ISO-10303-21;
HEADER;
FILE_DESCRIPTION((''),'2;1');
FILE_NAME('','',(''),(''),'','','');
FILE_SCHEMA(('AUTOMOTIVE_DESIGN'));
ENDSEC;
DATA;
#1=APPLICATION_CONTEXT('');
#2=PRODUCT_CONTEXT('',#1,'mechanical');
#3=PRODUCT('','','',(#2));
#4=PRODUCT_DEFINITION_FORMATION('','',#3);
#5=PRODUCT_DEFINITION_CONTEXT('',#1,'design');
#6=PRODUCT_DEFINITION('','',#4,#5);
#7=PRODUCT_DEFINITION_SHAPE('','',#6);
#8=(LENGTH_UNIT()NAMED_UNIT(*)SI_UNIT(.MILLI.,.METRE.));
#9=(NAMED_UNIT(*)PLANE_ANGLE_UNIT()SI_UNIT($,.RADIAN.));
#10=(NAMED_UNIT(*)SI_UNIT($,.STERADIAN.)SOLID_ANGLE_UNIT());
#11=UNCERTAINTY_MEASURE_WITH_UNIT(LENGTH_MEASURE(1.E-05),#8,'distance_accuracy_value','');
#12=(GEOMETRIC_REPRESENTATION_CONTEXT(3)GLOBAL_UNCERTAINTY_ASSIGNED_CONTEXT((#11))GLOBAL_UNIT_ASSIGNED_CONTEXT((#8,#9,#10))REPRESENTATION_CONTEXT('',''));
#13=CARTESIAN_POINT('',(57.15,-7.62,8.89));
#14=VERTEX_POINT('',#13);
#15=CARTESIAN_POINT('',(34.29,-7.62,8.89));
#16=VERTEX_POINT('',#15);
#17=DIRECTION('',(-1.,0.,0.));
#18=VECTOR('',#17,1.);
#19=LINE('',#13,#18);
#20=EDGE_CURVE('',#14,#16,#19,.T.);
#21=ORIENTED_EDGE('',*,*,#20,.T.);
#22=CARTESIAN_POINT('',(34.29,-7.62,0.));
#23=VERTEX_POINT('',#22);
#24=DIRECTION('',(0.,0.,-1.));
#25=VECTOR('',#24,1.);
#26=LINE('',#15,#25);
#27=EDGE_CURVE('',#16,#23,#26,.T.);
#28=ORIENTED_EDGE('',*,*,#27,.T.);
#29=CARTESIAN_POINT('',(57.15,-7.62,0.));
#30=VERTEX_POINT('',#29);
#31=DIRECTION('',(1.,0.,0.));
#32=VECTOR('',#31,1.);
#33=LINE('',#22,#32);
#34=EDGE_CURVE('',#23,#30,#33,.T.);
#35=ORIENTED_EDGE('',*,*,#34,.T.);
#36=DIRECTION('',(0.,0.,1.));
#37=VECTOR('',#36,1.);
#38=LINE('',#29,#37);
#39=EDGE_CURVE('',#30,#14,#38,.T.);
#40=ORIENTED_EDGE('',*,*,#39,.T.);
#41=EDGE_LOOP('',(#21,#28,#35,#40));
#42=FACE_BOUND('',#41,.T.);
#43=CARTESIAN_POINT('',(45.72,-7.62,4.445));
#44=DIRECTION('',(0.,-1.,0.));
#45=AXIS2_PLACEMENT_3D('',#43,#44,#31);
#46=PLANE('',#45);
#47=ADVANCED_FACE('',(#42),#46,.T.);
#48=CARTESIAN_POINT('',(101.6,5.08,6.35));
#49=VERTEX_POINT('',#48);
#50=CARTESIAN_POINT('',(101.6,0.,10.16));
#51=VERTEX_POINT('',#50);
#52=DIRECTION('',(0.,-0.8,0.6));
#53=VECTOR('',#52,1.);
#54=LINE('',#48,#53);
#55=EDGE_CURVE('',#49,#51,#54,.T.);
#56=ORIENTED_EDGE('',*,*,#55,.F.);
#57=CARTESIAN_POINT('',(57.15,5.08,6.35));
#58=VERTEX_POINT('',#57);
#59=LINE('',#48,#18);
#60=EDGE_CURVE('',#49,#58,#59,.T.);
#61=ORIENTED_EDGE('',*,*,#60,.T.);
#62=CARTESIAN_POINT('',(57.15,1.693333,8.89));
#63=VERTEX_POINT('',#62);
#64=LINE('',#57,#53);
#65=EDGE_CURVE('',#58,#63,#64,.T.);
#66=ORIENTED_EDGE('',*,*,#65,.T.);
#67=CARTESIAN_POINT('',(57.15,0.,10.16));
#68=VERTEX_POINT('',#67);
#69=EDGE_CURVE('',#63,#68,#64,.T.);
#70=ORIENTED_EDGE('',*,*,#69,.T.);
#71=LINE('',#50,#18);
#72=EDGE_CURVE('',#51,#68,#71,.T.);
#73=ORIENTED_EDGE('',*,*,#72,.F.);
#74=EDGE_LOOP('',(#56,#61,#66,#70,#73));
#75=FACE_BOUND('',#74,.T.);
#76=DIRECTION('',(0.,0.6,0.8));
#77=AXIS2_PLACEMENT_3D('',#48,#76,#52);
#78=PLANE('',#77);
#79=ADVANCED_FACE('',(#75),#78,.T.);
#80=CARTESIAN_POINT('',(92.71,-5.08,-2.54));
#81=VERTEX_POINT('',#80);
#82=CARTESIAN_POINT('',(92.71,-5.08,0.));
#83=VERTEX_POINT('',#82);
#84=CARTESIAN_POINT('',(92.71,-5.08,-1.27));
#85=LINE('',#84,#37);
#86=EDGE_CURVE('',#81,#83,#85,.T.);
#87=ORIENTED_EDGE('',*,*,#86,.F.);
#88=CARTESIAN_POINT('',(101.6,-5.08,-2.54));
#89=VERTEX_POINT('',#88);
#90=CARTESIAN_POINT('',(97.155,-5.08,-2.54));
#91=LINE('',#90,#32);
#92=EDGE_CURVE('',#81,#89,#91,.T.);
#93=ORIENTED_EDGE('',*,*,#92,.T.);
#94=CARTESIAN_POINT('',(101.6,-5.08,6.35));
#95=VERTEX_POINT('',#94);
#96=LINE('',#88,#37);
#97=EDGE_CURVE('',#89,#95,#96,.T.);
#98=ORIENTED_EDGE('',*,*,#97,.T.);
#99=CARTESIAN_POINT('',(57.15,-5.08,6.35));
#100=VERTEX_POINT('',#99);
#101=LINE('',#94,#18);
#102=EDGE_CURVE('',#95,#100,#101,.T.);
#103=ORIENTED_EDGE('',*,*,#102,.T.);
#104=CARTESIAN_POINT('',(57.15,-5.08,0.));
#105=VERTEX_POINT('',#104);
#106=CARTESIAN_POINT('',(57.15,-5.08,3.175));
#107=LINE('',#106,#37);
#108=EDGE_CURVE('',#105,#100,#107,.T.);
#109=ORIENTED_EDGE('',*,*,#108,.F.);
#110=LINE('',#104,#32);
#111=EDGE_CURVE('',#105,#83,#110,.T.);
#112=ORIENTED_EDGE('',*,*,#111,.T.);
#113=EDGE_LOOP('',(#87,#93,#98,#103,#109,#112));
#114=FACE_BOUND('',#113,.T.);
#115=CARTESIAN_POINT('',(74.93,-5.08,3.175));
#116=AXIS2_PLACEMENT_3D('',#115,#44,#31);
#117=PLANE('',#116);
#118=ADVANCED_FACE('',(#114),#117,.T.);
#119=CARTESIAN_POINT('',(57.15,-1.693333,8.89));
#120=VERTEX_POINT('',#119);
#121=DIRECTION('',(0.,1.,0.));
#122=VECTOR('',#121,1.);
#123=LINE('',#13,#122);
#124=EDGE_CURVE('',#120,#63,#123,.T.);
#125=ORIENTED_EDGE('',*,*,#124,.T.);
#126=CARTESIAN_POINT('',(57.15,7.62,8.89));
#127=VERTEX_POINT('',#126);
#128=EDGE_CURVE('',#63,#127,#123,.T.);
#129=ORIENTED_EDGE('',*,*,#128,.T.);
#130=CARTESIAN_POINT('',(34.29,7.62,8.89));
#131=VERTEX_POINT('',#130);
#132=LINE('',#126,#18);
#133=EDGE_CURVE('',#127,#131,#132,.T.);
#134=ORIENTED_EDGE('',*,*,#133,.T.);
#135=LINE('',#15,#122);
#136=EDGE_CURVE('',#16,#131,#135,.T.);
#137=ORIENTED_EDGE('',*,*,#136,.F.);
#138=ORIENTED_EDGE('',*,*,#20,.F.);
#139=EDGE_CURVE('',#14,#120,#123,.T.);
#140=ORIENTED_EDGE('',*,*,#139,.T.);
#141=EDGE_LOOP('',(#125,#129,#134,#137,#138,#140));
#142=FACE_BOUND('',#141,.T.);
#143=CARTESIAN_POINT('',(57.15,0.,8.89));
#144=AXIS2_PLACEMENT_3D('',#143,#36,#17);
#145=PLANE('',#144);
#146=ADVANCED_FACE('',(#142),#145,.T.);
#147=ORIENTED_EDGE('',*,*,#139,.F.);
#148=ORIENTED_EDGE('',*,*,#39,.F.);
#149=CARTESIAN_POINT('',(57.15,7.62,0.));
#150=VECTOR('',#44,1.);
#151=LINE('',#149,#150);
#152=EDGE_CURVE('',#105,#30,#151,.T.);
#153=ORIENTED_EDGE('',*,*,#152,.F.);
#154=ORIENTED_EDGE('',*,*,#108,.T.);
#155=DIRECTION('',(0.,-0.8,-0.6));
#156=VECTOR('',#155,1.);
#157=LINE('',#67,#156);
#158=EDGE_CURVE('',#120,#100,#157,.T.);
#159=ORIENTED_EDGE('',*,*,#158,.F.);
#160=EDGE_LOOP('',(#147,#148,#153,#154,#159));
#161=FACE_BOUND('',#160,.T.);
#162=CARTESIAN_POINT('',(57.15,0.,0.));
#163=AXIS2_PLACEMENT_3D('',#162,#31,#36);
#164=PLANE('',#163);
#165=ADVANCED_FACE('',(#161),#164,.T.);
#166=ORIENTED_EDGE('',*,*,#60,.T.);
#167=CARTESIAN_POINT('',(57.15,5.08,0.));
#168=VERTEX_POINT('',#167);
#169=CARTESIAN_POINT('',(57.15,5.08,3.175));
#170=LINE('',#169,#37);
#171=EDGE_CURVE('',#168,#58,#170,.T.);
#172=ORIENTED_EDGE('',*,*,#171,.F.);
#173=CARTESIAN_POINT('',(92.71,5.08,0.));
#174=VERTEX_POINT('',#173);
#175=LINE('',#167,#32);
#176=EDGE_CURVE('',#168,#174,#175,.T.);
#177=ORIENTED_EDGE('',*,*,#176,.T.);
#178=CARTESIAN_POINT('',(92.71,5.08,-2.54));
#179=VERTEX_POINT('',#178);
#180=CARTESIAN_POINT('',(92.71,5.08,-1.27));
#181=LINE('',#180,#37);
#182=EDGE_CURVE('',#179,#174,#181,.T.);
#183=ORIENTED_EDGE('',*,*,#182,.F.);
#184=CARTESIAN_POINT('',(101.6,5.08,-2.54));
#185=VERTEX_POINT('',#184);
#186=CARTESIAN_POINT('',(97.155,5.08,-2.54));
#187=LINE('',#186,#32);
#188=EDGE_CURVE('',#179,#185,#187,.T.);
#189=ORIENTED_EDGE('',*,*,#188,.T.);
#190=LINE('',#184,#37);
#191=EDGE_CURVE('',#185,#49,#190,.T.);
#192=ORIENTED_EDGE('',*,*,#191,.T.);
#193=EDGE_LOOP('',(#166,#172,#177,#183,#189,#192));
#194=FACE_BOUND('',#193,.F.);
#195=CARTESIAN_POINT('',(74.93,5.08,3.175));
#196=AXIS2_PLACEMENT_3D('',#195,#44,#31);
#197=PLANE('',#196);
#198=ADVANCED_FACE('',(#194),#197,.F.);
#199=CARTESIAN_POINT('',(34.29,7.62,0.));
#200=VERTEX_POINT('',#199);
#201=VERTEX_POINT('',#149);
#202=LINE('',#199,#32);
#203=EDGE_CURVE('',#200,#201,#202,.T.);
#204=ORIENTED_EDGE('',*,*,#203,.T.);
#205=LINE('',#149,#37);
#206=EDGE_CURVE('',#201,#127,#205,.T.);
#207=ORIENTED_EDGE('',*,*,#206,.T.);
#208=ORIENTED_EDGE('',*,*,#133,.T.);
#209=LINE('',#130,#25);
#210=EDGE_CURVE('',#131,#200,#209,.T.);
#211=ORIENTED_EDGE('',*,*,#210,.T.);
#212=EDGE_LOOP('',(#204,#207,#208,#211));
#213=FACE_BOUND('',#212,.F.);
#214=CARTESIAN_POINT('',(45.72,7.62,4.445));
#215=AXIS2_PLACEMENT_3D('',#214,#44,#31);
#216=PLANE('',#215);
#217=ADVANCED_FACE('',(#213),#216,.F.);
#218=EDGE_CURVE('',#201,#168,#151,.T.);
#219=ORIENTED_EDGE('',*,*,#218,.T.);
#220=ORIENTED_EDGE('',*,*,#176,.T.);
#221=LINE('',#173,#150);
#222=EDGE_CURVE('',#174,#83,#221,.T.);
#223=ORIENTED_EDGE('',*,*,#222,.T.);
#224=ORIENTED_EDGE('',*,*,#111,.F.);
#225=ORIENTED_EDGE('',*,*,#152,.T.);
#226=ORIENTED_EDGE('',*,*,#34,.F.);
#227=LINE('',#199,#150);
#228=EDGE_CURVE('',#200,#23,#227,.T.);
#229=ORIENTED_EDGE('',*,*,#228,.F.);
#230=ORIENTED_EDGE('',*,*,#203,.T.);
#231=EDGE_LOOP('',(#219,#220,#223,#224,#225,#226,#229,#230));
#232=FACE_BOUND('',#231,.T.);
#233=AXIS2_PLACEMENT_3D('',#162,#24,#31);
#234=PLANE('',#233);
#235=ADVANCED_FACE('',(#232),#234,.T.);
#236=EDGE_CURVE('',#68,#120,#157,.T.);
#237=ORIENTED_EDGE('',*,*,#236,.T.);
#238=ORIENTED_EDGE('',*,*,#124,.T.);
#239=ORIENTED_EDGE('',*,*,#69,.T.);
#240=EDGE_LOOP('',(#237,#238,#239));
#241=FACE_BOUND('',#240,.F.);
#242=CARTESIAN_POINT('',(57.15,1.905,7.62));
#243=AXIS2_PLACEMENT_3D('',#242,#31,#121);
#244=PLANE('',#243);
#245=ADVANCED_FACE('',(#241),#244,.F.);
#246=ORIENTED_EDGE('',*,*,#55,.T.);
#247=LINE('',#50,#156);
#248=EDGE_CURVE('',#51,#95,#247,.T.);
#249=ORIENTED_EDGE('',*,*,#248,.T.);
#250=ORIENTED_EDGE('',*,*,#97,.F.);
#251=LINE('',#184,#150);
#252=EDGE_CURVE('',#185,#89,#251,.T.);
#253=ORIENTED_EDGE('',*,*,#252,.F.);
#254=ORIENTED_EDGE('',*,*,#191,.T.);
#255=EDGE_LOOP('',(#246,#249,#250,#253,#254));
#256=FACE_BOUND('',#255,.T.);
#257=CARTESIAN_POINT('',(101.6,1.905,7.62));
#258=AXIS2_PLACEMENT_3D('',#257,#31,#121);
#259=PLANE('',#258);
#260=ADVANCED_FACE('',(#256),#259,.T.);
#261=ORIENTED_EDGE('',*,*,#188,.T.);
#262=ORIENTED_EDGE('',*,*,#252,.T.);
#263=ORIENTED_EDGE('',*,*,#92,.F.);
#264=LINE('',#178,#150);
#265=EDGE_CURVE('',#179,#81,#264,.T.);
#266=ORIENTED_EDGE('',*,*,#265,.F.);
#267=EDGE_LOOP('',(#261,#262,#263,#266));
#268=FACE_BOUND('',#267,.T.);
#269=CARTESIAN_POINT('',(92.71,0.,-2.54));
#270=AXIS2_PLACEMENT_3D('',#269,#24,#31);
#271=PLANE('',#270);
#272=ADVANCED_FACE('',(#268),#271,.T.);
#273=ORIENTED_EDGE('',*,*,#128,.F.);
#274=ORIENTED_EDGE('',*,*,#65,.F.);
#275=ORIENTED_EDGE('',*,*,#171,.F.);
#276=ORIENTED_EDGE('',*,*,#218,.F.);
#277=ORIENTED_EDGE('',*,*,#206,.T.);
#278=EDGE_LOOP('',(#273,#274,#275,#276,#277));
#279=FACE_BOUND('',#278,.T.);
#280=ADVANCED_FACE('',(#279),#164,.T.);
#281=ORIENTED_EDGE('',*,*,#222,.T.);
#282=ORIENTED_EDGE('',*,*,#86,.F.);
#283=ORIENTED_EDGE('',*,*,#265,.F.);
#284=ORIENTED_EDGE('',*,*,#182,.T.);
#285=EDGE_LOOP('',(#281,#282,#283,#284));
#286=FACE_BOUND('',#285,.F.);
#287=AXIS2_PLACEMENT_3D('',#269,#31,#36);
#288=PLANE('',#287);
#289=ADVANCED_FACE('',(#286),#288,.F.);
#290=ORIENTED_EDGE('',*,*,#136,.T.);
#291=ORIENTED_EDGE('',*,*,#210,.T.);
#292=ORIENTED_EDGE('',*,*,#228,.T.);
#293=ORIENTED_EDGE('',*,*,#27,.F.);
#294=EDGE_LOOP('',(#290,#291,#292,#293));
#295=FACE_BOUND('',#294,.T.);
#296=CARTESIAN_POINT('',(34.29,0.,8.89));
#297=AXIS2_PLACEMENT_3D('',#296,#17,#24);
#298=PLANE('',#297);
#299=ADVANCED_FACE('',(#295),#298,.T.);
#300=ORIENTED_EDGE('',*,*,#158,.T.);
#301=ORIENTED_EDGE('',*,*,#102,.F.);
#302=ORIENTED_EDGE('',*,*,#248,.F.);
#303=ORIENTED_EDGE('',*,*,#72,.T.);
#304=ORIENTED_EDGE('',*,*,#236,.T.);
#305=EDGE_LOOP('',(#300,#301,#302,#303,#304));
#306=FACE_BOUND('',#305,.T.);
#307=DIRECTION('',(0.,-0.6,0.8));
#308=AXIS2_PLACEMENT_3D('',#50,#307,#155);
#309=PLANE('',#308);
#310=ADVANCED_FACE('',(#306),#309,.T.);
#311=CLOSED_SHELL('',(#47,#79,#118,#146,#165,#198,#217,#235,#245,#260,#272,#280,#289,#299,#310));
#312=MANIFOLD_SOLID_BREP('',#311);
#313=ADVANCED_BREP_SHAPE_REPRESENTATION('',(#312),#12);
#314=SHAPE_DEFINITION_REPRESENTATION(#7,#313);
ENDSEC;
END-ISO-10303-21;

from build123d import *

# Parameters (mm, degrees)
F1_DEPTH = 7.62
F2_DEPTH = 7.62
F0_W     = 35.56
F0_H     = 6.35
F0_W_2   = 8.89
F0_H_2   = 2.54
F3_DEPTH = 5.08
F4_DEPTH = 5.08
F6_DEPTH = 44.45


with BuildPart() as f1:
    # F0 (on Front) → F1 (new body)
    with BuildSketch(Plane.XZ):
        Polygon((34.29, 8.89), (34.29, 0), (57.15, 0), (57.15, 6.35), (57.15, 8.89), align=None)
    extrude(amount=F1_DEPTH)

    # F0 (on Front) → F2 (join)
    with BuildSketch(Plane.XZ):
        Polygon((34.29, 8.89), (34.29, 0), (57.15, 0), (57.15, 6.35), (57.15, 8.89), align=None)
    extrude(amount=-F2_DEPTH)

    # F0 (on Front) → F3 (join)
    with BuildSketch(Plane.XZ):
        with Locations((74.93, 3.175)):
            Rectangle(F0_W, F0_H)
        with Locations((97.155, 3.175)):
            Rectangle(F0_W_2, F0_H)
        with Locations((97.155, -1.27)):
            Rectangle(F0_W_2, F0_H_2)
    extrude(amount=F3_DEPTH)

    # F0 (on Front) → F4 (join)
    with BuildSketch(Plane.XZ):
        with Locations((74.93, 3.175)):
            Rectangle(F0_W, F0_H)
        with Locations((97.155, 3.175)):
            Rectangle(F0_W_2, F0_H)
        with Locations((97.155, -1.27)):
            Rectangle(F0_W_2, F0_H_2)
    extrude(amount=-F4_DEPTH)

    # F5 (on face) → F6 (join)
    with BuildSketch(Plane.YZ.offset(101.6)):
        Polygon((0, 10.16), (0, 6.35), (5.08, 6.35), align=None)
        Polygon((-5.08, 6.35), (0, 6.35), (0, 10.16), align=None)
    extrude(amount=-F6_DEPTH)


solid = f1.part
